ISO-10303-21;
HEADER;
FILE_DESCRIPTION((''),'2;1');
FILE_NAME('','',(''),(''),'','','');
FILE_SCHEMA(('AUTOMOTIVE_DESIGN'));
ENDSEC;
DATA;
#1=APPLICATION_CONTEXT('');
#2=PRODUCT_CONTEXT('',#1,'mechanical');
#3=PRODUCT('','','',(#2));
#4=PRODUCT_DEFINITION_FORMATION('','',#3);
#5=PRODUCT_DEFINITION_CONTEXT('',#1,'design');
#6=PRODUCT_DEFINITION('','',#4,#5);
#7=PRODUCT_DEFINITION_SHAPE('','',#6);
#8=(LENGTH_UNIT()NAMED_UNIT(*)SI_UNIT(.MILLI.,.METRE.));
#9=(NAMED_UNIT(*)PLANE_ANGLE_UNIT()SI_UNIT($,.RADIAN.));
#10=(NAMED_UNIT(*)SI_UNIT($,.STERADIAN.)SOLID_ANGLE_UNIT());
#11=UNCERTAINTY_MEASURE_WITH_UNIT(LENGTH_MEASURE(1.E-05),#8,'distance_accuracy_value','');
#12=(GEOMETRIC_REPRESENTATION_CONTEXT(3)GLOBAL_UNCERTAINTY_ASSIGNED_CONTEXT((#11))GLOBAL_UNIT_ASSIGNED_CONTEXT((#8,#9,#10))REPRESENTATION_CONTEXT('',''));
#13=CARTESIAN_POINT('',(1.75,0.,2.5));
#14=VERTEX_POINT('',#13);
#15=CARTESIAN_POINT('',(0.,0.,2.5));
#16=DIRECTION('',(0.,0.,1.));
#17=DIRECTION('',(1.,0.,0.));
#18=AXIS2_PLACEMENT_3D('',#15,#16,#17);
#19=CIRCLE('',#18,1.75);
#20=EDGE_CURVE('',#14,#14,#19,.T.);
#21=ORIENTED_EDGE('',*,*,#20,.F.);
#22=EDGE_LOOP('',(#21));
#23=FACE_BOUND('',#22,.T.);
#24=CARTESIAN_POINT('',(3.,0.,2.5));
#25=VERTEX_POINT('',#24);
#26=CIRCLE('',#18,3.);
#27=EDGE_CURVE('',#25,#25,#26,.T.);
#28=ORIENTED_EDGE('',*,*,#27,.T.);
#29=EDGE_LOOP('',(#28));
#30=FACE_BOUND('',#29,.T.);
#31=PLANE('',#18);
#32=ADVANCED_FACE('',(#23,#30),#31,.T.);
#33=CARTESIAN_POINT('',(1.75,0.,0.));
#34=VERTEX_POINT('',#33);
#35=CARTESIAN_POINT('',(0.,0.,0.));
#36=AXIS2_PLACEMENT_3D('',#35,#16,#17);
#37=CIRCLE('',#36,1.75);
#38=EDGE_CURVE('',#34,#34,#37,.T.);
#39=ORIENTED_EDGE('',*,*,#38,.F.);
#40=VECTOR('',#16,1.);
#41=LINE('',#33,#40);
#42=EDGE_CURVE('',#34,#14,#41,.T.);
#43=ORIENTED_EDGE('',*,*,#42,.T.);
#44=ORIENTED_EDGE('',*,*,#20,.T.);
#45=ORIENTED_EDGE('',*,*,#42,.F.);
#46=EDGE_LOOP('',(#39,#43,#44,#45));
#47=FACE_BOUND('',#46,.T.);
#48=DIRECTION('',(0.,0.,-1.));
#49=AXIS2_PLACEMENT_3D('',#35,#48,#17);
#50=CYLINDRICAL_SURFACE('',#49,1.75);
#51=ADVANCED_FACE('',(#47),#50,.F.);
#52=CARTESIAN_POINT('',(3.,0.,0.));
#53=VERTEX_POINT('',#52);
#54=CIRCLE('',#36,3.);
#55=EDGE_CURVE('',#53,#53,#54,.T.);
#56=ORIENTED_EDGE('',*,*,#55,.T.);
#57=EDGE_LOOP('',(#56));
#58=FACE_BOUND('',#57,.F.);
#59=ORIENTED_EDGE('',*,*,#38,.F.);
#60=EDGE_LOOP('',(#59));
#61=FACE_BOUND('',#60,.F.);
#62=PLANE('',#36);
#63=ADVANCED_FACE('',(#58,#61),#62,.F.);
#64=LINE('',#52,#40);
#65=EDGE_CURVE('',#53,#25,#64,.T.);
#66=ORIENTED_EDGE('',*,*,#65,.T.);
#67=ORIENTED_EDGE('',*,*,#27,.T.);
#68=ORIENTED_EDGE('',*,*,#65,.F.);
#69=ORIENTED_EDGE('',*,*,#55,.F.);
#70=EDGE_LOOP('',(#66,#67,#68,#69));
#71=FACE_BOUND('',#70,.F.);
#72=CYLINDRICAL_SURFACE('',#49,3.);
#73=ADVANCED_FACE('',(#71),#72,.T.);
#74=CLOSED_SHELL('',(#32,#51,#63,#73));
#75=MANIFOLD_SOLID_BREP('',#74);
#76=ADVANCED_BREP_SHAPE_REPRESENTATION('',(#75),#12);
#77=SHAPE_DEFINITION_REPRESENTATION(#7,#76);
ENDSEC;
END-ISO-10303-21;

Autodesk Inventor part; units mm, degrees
ref_plane "YZ Plane" through (0, 0, 0) normal (1, 0, 0) x (0, 1, 0)
ref_plane "XZ Plane" through (0, 0, 0) normal (0, 1, 0) x (-1, 0, 0)
ref_plane "XY Plane" through (0, 0, 0) normal (0, 0, 1) x (1, 0, 0)
sketch "Эскиз1" plane through (0, 0, 0) normal (0, 0, 1) x (1, 0, 0)
  circle A0 centre (0, 0) radius 3
  circle A1 centre (0, 0) radius 1.75
  dimension "d0" = 6
  dimension "d1" = 3.5
extrude "Выдавливание1" add sketch "Эскиз1" along normal blind 2.5
properties part number "Стойки камеры"
